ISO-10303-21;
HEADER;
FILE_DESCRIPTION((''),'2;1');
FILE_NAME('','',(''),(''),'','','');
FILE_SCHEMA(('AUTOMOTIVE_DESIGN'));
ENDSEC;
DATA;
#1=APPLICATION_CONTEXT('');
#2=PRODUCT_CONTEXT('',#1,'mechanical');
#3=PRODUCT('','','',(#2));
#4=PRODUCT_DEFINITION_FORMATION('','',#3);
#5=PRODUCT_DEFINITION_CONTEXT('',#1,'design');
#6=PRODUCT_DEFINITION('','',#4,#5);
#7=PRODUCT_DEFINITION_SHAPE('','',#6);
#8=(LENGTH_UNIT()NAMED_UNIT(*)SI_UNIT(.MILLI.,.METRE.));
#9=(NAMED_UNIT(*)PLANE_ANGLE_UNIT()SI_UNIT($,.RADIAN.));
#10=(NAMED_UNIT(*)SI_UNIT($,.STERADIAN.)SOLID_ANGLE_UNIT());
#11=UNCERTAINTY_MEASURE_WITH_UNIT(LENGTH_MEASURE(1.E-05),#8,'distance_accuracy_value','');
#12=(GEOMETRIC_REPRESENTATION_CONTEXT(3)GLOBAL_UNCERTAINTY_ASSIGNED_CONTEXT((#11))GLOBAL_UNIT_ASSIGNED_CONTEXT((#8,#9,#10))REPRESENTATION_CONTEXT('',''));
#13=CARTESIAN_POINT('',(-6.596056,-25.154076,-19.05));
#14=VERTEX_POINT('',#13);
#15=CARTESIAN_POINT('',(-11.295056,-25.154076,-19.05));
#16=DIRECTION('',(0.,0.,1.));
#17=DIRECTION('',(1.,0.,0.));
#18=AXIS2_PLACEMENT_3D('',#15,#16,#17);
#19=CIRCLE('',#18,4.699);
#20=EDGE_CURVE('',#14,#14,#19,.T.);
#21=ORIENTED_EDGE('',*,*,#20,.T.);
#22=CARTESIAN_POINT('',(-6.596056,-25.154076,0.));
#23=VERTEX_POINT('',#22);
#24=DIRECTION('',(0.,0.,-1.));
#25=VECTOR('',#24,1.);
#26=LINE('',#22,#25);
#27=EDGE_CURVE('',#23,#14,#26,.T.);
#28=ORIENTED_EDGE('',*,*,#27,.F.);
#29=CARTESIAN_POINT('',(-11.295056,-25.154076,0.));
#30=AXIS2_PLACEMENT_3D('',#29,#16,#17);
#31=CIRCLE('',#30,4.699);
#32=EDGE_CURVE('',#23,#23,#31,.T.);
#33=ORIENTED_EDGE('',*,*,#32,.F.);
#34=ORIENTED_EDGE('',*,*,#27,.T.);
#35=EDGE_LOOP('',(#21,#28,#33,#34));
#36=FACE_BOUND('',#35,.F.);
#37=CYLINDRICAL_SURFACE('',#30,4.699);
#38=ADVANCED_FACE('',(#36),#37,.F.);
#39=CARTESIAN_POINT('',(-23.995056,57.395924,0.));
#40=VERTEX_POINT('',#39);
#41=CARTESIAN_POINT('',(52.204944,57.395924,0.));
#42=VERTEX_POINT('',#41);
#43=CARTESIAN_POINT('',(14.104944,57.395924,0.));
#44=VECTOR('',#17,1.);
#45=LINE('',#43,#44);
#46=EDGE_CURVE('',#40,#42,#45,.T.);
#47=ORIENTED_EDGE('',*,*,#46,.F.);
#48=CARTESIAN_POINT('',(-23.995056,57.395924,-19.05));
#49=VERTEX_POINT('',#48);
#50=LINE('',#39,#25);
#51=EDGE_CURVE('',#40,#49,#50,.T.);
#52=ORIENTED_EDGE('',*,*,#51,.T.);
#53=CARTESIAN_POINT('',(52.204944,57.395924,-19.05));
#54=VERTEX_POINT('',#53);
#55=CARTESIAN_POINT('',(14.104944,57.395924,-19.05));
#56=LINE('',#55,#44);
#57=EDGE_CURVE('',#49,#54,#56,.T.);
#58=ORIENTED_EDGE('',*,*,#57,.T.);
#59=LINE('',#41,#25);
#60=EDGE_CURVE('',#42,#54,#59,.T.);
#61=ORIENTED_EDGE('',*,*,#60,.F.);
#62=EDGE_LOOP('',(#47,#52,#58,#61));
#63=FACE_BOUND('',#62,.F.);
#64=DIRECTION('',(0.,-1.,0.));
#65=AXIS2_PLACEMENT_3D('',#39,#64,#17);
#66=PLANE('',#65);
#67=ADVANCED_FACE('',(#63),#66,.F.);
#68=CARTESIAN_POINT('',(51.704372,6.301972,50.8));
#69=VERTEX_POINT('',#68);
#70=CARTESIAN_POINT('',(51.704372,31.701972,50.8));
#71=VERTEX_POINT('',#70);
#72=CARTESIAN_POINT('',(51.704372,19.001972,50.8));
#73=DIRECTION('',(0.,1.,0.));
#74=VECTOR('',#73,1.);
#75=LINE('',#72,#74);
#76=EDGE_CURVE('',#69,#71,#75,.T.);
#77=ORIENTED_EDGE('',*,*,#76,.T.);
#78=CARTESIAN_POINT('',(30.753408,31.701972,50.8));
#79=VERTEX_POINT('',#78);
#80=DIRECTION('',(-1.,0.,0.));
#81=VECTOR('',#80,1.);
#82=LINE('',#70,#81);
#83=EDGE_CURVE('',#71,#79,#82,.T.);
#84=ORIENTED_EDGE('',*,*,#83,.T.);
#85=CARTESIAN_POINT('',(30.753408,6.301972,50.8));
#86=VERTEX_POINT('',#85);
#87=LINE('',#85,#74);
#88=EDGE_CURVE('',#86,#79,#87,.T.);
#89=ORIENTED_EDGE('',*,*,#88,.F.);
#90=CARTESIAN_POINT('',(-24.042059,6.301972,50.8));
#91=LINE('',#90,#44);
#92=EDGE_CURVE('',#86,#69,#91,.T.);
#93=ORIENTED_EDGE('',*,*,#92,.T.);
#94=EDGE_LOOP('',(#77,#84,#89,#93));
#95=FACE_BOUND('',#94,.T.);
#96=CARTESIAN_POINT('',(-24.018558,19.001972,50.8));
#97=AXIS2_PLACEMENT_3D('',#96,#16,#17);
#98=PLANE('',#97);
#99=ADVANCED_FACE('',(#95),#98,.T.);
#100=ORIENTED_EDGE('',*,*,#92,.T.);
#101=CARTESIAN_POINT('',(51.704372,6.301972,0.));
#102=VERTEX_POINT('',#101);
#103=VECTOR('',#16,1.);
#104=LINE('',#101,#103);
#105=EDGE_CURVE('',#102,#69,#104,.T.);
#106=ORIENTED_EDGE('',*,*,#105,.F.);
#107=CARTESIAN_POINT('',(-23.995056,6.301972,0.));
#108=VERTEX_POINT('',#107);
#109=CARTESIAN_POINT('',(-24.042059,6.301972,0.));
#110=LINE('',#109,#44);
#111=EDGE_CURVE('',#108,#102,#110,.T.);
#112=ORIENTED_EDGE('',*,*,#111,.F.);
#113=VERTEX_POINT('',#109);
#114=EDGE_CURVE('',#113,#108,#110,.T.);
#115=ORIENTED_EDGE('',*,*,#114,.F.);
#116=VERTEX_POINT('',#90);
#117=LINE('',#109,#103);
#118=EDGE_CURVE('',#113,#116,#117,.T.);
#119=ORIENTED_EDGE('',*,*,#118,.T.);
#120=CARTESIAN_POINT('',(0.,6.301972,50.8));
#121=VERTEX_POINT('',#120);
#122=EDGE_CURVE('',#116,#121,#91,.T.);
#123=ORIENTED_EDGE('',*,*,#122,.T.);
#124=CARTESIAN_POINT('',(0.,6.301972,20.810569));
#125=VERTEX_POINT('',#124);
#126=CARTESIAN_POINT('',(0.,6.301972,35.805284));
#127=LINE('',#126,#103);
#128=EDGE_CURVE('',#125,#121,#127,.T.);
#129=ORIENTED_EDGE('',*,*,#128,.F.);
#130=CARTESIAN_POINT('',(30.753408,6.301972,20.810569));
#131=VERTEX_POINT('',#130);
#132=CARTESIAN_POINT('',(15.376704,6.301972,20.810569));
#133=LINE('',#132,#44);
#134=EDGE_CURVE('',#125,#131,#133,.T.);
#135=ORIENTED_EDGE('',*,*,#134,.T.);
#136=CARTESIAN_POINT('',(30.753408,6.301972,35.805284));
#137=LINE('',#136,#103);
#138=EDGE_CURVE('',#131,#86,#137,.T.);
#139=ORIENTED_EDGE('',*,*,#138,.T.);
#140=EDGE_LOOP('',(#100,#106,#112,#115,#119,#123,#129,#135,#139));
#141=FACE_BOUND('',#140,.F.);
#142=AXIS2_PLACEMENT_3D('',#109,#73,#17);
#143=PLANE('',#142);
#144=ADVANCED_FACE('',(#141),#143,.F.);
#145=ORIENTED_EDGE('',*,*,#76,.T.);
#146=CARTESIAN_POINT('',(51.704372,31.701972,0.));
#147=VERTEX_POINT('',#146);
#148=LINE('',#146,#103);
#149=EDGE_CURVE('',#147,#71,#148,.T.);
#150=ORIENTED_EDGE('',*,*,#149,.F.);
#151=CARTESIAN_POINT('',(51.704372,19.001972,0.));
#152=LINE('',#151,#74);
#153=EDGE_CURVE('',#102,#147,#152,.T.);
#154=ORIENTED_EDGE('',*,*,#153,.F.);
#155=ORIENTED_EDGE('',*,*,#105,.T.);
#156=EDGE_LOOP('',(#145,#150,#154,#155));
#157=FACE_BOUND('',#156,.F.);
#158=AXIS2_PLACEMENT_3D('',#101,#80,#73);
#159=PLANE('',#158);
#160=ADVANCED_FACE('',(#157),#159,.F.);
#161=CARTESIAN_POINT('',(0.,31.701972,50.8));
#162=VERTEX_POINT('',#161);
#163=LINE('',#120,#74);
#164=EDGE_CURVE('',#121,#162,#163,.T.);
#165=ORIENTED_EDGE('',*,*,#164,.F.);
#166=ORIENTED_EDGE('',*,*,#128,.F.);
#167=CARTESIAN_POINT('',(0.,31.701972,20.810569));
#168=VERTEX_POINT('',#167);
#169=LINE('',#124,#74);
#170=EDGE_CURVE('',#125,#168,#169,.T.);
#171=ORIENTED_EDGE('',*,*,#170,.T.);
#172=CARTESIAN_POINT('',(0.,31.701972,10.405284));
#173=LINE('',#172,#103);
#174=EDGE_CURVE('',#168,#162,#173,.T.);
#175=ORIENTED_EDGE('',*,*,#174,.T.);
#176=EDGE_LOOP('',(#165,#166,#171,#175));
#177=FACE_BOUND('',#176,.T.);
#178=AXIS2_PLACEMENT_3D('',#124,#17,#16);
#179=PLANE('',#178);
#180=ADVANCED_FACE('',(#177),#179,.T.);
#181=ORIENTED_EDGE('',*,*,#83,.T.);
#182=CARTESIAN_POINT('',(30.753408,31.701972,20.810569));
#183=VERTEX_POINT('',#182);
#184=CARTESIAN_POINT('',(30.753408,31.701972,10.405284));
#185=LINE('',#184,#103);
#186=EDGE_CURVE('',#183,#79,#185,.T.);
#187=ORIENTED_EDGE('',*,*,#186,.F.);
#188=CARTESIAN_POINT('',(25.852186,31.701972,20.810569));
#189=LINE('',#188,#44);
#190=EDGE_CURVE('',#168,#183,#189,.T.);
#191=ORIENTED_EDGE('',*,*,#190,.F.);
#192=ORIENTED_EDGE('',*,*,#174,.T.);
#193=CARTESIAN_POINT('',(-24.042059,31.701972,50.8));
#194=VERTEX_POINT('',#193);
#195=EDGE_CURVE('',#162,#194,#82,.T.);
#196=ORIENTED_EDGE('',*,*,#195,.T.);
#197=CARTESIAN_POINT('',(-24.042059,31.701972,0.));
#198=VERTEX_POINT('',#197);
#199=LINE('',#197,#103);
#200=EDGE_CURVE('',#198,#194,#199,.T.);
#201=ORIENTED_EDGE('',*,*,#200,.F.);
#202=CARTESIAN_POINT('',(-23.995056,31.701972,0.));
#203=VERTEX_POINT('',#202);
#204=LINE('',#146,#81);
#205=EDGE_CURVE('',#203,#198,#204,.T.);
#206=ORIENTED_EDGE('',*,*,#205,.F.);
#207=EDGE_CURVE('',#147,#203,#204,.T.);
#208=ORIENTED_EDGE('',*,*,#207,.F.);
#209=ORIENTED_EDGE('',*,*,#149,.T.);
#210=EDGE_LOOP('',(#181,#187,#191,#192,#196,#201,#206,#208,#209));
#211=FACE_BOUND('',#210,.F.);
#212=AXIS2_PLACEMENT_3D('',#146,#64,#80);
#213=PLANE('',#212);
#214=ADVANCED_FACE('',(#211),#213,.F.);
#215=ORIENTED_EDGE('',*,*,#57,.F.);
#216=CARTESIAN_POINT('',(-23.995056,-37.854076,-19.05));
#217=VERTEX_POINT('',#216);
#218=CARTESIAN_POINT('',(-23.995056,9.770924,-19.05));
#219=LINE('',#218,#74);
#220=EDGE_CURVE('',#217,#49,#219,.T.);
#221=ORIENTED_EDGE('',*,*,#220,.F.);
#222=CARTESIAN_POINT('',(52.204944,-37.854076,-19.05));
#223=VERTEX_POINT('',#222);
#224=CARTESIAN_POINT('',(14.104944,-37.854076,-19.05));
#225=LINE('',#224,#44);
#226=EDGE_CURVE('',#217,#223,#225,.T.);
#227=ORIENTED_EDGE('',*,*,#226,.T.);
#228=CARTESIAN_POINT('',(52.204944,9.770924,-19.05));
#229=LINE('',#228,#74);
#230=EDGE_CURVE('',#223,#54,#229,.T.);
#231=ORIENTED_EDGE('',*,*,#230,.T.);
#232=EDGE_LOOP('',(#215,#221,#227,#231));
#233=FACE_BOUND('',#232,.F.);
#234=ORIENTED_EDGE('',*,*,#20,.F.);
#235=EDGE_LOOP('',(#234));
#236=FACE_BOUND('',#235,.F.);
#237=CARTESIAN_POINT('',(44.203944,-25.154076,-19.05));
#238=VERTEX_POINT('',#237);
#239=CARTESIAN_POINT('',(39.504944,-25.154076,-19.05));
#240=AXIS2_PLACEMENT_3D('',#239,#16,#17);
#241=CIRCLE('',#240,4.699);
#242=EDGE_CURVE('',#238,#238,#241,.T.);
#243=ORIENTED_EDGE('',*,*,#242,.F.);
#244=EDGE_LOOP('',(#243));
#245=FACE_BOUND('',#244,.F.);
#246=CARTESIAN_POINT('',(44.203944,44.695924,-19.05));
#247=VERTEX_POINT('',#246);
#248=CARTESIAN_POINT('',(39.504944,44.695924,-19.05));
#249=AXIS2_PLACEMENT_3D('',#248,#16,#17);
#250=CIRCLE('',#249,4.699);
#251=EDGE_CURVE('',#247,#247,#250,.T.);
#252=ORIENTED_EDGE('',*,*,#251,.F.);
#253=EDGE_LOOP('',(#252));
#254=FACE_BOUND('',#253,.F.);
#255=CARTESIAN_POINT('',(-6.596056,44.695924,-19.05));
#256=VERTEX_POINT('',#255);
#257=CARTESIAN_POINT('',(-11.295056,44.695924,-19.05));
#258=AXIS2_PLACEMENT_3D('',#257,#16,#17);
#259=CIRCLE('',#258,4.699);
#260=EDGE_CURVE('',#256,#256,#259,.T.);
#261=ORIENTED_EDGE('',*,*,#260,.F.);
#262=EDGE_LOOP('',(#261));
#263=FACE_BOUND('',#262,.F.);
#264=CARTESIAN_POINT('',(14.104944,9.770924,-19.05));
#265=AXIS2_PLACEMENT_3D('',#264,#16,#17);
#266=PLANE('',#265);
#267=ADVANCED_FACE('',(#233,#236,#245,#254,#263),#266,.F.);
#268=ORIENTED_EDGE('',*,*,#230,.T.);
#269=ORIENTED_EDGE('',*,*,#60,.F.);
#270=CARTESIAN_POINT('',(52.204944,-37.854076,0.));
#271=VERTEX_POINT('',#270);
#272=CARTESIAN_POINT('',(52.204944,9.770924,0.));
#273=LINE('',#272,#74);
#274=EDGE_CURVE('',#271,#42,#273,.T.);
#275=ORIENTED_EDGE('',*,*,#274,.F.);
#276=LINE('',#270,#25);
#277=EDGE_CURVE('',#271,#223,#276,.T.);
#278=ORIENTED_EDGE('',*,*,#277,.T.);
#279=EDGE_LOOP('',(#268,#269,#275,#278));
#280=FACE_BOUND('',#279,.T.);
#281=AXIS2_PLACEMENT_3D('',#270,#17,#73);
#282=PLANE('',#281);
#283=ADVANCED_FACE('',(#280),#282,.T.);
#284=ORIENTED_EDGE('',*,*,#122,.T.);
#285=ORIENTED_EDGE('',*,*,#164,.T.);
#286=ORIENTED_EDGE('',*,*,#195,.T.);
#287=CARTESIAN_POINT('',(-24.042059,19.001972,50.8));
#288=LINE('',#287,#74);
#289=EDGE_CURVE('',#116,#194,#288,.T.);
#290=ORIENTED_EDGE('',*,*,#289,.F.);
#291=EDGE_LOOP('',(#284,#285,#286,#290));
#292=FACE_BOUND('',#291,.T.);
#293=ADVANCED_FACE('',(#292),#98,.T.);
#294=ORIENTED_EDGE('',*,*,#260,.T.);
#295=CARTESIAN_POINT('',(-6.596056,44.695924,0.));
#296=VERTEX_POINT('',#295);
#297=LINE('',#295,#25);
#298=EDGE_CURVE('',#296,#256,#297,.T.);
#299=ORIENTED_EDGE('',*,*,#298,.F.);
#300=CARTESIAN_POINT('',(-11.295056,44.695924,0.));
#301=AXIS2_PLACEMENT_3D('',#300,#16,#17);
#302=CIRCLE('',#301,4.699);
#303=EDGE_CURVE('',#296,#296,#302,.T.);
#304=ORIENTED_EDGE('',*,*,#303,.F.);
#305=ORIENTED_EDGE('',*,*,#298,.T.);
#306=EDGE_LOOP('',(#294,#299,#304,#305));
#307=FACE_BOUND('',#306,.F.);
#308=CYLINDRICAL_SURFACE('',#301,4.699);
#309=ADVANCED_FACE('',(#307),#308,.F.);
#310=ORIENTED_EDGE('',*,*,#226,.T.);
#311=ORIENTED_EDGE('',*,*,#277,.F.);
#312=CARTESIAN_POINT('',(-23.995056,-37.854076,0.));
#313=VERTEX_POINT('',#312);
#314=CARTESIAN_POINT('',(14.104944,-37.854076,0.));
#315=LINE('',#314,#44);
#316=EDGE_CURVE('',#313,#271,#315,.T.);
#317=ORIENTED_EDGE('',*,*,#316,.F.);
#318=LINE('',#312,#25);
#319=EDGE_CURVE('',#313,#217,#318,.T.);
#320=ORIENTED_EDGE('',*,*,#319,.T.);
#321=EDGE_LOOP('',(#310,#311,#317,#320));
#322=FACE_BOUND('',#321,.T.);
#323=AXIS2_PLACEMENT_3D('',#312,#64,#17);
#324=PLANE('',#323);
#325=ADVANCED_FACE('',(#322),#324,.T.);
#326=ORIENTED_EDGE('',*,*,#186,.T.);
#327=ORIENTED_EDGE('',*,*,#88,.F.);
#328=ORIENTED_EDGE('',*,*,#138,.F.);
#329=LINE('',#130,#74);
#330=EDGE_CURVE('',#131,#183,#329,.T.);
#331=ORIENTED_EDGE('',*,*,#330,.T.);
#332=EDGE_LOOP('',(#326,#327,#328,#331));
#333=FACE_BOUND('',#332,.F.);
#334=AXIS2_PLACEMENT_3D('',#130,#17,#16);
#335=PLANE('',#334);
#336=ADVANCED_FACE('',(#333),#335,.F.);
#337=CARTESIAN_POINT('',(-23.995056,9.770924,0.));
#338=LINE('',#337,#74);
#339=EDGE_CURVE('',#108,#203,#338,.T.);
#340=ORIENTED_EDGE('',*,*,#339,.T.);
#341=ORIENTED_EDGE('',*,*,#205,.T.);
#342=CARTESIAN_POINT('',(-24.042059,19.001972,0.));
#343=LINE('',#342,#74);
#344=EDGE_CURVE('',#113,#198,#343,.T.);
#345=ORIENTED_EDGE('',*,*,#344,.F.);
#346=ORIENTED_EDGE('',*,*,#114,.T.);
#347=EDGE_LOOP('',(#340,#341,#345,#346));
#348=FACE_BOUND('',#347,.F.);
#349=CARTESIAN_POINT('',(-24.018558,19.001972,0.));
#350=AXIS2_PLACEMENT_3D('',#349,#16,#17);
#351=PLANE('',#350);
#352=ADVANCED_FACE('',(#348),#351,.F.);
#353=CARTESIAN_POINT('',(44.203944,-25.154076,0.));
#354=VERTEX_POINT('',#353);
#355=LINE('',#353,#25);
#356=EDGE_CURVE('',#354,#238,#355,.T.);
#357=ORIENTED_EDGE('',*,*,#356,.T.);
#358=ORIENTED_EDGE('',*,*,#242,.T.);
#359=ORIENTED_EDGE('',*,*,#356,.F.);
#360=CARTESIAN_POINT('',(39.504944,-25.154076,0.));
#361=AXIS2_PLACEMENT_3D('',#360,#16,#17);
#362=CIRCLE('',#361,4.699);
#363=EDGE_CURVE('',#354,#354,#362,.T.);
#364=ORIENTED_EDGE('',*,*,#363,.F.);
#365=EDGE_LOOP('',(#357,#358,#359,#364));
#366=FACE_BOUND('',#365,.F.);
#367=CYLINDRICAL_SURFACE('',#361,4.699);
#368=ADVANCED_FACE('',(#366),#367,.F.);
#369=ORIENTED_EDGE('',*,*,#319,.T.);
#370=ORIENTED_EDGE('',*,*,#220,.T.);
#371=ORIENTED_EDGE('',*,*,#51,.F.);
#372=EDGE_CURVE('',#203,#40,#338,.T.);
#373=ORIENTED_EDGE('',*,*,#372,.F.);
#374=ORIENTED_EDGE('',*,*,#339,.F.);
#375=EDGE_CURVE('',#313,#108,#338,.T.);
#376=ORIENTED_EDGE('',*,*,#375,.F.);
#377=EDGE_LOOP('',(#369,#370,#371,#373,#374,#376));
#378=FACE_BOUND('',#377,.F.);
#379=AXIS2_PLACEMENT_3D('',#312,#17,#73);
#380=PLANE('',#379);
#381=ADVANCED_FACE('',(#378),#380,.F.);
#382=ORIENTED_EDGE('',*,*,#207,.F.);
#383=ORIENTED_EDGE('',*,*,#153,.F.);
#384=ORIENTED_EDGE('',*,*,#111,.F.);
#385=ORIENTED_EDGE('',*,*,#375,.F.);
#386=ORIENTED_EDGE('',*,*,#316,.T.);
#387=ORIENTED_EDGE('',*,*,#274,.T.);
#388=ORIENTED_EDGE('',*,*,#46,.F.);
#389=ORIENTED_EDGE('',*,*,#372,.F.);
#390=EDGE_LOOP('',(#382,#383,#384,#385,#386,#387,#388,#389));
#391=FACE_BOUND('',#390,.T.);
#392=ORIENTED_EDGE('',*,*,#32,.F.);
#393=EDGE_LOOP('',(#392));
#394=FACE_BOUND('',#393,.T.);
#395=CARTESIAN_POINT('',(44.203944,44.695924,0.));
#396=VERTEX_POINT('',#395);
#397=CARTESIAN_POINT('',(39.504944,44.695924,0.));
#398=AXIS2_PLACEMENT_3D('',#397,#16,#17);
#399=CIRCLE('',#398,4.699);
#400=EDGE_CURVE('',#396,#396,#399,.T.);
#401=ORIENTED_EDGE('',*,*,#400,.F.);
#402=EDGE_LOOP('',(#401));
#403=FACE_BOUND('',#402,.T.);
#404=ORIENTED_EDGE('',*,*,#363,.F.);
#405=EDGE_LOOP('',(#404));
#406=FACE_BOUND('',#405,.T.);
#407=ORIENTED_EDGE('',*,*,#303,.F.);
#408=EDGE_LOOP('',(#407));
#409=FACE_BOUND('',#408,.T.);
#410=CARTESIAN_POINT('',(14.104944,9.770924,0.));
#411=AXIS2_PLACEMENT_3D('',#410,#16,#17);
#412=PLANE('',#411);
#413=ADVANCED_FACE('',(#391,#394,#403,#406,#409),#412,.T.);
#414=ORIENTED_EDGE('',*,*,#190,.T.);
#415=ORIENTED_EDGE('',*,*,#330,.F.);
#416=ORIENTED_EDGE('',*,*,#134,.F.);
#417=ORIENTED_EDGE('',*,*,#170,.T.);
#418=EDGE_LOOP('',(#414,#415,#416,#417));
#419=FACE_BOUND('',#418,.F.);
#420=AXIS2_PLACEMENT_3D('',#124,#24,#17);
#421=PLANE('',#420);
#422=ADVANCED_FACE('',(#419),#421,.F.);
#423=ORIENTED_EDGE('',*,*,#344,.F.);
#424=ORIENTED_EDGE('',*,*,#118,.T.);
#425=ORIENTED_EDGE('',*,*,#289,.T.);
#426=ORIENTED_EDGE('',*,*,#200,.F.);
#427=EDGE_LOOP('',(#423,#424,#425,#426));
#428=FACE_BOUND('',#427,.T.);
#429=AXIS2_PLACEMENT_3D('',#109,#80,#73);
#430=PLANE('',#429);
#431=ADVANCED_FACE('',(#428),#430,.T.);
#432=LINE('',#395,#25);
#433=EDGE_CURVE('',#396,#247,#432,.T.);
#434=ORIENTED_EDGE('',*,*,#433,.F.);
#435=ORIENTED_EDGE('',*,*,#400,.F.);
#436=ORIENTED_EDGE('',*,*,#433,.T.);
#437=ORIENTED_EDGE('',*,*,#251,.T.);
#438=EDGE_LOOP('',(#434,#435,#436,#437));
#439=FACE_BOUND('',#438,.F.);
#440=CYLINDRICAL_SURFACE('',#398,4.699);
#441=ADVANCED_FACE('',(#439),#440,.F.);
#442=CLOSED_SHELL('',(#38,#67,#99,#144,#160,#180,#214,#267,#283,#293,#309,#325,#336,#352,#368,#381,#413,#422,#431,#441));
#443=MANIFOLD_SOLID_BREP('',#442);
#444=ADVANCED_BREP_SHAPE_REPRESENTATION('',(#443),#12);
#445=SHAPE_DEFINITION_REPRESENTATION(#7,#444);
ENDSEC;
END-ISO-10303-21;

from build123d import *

# Parameters (mm, degrees)
F2_W     = 0.0470026281
F2_H     = 25.4
F2_W_2   = 75.699427795
F3_DEPTH = 50.8
F1_W     = 76.2
F1_H     = 95.25
F1_R     = 4.699
F4_DEPTH = 19.05
F5_W     = 30.7534076273
F5_H     = 29.9894312948
F6_DEPTH = 31.75


with BuildPart() as f3:
    # F2 (on face) → F3 (new body)
    with BuildSketch(Plane.XY):
        with Locations((-24.0185575915, 19.0019719303)):
            Rectangle(F2_W, F2_H)
        with Locations((13.85465762, 19.0019719303)):
            Rectangle(F2_W_2, F2_H)
    extrude(amount=F3_DEPTH)

    # F1 (on face) → F4 (join)
    with BuildSketch(Plane.XY):
        with Locations((14.1049437225, 9.770923992)):
            Rectangle(F1_W, F1_H)
        with Locations((-11.2950562775, -25.154076008)):
            Circle(F1_R, mode=Mode.SUBTRACT)
        with Locations((39.5049437225, -25.154076008)):
            Circle(F1_R, mode=Mode.SUBTRACT)
        with Locations((-11.2950562775, 44.695923992)):
            Circle(F1_R, mode=Mode.SUBTRACT)
        with Locations((39.5049437225, 44.695923992)):
            Circle(F1_R, mode=Mode.SUBTRACT)
    extrude(amount=-F4_DEPTH)

    # F5 (on face) → F6 (cut)
    with BuildSketch(Plane.XZ.offset(-6.3019719303)):
        with Locations((15.3767038137, 35.8052843526)):
            Rectangle(F5_W, F5_H)
    extrude(amount=-F6_DEPTH, mode=Mode.SUBTRACT)


solid = f3.part
